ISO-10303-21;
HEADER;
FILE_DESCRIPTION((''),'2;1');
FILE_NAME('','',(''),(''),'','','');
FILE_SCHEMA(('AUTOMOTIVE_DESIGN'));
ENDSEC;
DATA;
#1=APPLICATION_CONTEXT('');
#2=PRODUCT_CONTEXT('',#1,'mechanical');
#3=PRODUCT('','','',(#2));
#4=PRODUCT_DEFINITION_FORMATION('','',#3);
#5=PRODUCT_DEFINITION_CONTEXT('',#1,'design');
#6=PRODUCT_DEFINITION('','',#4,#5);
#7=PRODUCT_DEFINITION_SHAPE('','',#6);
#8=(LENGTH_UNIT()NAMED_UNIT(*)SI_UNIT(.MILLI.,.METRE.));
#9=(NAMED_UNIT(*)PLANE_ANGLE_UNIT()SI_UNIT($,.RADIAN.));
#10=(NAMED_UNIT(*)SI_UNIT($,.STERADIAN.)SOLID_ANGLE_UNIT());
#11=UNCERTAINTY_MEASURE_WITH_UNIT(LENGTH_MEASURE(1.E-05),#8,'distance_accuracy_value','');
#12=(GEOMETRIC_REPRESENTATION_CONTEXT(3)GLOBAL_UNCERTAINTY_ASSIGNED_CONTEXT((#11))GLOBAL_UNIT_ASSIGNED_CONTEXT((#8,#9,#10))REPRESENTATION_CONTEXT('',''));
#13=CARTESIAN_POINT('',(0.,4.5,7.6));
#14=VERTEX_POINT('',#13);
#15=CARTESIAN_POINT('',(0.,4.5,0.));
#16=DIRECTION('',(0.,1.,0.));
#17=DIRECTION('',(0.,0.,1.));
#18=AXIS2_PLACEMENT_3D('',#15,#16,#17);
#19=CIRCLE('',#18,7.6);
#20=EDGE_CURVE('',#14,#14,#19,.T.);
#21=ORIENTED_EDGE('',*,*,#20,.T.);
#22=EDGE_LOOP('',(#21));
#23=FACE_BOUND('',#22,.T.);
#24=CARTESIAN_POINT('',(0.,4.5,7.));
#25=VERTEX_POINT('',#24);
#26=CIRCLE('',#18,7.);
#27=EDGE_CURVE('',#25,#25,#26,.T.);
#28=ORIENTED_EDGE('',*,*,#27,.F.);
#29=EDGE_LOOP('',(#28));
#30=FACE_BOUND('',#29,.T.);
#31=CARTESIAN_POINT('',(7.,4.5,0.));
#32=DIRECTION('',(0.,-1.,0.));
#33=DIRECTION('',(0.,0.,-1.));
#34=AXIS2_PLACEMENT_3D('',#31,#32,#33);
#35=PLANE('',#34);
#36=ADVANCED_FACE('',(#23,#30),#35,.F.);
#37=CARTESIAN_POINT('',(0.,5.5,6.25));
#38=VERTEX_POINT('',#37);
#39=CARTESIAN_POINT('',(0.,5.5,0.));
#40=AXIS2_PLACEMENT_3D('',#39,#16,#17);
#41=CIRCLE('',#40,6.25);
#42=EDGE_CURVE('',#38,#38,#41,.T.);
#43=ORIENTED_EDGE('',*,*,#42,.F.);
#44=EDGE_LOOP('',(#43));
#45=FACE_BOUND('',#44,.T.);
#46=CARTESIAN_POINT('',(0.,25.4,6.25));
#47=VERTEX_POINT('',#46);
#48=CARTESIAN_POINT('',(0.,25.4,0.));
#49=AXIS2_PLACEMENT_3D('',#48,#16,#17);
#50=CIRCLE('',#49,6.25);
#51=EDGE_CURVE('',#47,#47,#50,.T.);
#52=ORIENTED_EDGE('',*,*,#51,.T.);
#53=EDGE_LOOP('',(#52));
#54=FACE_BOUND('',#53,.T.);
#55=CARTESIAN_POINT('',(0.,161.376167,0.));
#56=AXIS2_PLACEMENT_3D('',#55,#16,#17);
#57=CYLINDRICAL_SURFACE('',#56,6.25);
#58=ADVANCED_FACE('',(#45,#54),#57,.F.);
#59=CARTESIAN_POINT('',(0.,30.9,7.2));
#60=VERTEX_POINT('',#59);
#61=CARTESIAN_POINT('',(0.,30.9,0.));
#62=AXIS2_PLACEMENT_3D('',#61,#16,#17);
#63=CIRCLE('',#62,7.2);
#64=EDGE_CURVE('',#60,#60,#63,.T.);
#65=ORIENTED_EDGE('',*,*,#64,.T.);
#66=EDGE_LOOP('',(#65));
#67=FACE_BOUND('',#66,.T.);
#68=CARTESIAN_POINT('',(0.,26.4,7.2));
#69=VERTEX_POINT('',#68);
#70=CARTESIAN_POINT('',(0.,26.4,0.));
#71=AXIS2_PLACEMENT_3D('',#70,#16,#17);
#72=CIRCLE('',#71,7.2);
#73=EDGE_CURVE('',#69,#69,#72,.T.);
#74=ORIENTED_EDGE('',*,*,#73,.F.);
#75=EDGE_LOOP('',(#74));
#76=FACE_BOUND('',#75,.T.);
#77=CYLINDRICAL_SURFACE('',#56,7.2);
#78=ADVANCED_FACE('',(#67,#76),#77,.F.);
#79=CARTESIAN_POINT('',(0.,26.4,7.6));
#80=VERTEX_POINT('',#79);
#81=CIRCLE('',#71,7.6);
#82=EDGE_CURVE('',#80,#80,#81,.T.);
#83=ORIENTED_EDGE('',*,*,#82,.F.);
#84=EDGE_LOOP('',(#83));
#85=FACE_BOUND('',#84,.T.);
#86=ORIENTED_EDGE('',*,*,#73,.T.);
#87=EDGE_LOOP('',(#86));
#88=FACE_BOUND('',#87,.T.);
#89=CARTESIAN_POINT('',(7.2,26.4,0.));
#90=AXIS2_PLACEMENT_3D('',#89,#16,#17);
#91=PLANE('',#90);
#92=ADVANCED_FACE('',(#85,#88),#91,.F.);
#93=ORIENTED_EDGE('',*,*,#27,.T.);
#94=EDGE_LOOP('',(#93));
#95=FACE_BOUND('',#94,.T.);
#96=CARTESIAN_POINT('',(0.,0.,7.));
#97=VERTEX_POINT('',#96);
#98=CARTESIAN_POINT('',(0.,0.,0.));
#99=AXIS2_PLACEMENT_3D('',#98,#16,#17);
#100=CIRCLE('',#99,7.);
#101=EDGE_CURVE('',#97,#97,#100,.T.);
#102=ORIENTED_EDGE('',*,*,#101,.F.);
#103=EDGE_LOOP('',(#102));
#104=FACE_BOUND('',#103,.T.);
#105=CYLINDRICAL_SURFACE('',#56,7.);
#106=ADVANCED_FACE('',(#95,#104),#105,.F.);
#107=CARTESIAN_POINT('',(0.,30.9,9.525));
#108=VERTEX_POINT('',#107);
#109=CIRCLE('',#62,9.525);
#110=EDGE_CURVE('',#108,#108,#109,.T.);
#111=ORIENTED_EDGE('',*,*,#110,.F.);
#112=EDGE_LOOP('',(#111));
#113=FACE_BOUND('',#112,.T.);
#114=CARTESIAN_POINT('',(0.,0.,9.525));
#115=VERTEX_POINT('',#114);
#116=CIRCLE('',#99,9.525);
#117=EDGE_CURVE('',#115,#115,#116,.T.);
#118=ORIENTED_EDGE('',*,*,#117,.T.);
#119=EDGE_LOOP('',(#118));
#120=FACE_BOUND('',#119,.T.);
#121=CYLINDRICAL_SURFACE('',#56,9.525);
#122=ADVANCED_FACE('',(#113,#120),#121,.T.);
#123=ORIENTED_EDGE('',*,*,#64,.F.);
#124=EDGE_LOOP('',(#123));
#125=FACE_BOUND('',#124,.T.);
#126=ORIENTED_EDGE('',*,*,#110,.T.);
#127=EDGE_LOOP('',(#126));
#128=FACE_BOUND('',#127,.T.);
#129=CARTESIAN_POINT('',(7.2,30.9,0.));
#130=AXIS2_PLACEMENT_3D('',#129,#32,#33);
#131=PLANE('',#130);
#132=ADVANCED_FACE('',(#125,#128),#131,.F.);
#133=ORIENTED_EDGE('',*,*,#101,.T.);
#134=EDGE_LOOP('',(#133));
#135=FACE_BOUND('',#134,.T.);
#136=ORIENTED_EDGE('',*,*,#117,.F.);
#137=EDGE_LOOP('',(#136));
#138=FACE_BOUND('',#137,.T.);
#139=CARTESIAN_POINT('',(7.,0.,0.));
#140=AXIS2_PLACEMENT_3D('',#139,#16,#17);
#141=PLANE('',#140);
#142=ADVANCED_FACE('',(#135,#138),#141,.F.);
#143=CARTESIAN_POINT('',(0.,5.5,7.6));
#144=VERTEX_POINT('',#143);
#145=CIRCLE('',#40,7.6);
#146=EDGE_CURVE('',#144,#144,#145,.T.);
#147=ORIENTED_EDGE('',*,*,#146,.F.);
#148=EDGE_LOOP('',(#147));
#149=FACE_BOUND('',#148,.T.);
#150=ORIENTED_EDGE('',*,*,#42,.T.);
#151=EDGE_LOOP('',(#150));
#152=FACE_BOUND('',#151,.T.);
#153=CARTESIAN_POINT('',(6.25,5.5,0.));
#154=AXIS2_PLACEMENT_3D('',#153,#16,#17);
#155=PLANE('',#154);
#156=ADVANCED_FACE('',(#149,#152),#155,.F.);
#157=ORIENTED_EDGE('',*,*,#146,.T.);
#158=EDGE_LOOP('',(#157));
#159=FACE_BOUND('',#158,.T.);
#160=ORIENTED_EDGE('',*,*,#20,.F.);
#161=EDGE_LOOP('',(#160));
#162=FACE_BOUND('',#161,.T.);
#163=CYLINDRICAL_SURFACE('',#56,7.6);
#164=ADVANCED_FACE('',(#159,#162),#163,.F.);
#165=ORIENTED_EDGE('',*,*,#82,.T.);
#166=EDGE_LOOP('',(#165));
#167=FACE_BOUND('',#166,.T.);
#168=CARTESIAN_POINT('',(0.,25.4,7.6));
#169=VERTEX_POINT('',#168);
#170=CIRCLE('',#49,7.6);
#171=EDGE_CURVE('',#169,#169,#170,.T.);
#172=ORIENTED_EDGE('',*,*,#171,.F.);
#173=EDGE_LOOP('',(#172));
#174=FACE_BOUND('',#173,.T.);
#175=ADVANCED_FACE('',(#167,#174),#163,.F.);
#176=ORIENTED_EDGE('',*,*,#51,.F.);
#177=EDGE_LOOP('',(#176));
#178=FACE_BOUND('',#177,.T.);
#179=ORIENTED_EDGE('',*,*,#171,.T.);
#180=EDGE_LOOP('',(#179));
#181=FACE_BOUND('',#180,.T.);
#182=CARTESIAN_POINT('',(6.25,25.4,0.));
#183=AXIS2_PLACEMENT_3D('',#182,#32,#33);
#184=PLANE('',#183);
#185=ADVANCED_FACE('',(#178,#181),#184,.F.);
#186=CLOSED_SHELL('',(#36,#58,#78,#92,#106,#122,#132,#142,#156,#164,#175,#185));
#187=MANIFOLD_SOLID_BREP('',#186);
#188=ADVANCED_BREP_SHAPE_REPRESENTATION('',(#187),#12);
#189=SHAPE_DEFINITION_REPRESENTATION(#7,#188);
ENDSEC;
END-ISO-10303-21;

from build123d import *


with BuildPart() as part:
    # 草图1 → 旋转1 (revolve)
    with BuildSketch(Plane.XY, mode=Mode.PRIVATE) as revolve_1_sk:
        Polygon((7, 0), (7, 4.5), (7.6, 4.5), (7.6, 5.5), (6.25, 5.5), (6.25, 25.4), (7.6, 25.4), (7.6, 26.4), (7.2, 26.4), (7.2, 30.9), (9.525, 30.9), (9.525, 0), align=None)
    revolve(revolve_1_sk.sketch.rotate(Axis((0, 161.376166943, 0), (0, -1, 0)), 90), axis=Axis((0, 161.376166943, 0), (0, -1, 0)))  # turned: the seam where the file's is


solid = part.part
